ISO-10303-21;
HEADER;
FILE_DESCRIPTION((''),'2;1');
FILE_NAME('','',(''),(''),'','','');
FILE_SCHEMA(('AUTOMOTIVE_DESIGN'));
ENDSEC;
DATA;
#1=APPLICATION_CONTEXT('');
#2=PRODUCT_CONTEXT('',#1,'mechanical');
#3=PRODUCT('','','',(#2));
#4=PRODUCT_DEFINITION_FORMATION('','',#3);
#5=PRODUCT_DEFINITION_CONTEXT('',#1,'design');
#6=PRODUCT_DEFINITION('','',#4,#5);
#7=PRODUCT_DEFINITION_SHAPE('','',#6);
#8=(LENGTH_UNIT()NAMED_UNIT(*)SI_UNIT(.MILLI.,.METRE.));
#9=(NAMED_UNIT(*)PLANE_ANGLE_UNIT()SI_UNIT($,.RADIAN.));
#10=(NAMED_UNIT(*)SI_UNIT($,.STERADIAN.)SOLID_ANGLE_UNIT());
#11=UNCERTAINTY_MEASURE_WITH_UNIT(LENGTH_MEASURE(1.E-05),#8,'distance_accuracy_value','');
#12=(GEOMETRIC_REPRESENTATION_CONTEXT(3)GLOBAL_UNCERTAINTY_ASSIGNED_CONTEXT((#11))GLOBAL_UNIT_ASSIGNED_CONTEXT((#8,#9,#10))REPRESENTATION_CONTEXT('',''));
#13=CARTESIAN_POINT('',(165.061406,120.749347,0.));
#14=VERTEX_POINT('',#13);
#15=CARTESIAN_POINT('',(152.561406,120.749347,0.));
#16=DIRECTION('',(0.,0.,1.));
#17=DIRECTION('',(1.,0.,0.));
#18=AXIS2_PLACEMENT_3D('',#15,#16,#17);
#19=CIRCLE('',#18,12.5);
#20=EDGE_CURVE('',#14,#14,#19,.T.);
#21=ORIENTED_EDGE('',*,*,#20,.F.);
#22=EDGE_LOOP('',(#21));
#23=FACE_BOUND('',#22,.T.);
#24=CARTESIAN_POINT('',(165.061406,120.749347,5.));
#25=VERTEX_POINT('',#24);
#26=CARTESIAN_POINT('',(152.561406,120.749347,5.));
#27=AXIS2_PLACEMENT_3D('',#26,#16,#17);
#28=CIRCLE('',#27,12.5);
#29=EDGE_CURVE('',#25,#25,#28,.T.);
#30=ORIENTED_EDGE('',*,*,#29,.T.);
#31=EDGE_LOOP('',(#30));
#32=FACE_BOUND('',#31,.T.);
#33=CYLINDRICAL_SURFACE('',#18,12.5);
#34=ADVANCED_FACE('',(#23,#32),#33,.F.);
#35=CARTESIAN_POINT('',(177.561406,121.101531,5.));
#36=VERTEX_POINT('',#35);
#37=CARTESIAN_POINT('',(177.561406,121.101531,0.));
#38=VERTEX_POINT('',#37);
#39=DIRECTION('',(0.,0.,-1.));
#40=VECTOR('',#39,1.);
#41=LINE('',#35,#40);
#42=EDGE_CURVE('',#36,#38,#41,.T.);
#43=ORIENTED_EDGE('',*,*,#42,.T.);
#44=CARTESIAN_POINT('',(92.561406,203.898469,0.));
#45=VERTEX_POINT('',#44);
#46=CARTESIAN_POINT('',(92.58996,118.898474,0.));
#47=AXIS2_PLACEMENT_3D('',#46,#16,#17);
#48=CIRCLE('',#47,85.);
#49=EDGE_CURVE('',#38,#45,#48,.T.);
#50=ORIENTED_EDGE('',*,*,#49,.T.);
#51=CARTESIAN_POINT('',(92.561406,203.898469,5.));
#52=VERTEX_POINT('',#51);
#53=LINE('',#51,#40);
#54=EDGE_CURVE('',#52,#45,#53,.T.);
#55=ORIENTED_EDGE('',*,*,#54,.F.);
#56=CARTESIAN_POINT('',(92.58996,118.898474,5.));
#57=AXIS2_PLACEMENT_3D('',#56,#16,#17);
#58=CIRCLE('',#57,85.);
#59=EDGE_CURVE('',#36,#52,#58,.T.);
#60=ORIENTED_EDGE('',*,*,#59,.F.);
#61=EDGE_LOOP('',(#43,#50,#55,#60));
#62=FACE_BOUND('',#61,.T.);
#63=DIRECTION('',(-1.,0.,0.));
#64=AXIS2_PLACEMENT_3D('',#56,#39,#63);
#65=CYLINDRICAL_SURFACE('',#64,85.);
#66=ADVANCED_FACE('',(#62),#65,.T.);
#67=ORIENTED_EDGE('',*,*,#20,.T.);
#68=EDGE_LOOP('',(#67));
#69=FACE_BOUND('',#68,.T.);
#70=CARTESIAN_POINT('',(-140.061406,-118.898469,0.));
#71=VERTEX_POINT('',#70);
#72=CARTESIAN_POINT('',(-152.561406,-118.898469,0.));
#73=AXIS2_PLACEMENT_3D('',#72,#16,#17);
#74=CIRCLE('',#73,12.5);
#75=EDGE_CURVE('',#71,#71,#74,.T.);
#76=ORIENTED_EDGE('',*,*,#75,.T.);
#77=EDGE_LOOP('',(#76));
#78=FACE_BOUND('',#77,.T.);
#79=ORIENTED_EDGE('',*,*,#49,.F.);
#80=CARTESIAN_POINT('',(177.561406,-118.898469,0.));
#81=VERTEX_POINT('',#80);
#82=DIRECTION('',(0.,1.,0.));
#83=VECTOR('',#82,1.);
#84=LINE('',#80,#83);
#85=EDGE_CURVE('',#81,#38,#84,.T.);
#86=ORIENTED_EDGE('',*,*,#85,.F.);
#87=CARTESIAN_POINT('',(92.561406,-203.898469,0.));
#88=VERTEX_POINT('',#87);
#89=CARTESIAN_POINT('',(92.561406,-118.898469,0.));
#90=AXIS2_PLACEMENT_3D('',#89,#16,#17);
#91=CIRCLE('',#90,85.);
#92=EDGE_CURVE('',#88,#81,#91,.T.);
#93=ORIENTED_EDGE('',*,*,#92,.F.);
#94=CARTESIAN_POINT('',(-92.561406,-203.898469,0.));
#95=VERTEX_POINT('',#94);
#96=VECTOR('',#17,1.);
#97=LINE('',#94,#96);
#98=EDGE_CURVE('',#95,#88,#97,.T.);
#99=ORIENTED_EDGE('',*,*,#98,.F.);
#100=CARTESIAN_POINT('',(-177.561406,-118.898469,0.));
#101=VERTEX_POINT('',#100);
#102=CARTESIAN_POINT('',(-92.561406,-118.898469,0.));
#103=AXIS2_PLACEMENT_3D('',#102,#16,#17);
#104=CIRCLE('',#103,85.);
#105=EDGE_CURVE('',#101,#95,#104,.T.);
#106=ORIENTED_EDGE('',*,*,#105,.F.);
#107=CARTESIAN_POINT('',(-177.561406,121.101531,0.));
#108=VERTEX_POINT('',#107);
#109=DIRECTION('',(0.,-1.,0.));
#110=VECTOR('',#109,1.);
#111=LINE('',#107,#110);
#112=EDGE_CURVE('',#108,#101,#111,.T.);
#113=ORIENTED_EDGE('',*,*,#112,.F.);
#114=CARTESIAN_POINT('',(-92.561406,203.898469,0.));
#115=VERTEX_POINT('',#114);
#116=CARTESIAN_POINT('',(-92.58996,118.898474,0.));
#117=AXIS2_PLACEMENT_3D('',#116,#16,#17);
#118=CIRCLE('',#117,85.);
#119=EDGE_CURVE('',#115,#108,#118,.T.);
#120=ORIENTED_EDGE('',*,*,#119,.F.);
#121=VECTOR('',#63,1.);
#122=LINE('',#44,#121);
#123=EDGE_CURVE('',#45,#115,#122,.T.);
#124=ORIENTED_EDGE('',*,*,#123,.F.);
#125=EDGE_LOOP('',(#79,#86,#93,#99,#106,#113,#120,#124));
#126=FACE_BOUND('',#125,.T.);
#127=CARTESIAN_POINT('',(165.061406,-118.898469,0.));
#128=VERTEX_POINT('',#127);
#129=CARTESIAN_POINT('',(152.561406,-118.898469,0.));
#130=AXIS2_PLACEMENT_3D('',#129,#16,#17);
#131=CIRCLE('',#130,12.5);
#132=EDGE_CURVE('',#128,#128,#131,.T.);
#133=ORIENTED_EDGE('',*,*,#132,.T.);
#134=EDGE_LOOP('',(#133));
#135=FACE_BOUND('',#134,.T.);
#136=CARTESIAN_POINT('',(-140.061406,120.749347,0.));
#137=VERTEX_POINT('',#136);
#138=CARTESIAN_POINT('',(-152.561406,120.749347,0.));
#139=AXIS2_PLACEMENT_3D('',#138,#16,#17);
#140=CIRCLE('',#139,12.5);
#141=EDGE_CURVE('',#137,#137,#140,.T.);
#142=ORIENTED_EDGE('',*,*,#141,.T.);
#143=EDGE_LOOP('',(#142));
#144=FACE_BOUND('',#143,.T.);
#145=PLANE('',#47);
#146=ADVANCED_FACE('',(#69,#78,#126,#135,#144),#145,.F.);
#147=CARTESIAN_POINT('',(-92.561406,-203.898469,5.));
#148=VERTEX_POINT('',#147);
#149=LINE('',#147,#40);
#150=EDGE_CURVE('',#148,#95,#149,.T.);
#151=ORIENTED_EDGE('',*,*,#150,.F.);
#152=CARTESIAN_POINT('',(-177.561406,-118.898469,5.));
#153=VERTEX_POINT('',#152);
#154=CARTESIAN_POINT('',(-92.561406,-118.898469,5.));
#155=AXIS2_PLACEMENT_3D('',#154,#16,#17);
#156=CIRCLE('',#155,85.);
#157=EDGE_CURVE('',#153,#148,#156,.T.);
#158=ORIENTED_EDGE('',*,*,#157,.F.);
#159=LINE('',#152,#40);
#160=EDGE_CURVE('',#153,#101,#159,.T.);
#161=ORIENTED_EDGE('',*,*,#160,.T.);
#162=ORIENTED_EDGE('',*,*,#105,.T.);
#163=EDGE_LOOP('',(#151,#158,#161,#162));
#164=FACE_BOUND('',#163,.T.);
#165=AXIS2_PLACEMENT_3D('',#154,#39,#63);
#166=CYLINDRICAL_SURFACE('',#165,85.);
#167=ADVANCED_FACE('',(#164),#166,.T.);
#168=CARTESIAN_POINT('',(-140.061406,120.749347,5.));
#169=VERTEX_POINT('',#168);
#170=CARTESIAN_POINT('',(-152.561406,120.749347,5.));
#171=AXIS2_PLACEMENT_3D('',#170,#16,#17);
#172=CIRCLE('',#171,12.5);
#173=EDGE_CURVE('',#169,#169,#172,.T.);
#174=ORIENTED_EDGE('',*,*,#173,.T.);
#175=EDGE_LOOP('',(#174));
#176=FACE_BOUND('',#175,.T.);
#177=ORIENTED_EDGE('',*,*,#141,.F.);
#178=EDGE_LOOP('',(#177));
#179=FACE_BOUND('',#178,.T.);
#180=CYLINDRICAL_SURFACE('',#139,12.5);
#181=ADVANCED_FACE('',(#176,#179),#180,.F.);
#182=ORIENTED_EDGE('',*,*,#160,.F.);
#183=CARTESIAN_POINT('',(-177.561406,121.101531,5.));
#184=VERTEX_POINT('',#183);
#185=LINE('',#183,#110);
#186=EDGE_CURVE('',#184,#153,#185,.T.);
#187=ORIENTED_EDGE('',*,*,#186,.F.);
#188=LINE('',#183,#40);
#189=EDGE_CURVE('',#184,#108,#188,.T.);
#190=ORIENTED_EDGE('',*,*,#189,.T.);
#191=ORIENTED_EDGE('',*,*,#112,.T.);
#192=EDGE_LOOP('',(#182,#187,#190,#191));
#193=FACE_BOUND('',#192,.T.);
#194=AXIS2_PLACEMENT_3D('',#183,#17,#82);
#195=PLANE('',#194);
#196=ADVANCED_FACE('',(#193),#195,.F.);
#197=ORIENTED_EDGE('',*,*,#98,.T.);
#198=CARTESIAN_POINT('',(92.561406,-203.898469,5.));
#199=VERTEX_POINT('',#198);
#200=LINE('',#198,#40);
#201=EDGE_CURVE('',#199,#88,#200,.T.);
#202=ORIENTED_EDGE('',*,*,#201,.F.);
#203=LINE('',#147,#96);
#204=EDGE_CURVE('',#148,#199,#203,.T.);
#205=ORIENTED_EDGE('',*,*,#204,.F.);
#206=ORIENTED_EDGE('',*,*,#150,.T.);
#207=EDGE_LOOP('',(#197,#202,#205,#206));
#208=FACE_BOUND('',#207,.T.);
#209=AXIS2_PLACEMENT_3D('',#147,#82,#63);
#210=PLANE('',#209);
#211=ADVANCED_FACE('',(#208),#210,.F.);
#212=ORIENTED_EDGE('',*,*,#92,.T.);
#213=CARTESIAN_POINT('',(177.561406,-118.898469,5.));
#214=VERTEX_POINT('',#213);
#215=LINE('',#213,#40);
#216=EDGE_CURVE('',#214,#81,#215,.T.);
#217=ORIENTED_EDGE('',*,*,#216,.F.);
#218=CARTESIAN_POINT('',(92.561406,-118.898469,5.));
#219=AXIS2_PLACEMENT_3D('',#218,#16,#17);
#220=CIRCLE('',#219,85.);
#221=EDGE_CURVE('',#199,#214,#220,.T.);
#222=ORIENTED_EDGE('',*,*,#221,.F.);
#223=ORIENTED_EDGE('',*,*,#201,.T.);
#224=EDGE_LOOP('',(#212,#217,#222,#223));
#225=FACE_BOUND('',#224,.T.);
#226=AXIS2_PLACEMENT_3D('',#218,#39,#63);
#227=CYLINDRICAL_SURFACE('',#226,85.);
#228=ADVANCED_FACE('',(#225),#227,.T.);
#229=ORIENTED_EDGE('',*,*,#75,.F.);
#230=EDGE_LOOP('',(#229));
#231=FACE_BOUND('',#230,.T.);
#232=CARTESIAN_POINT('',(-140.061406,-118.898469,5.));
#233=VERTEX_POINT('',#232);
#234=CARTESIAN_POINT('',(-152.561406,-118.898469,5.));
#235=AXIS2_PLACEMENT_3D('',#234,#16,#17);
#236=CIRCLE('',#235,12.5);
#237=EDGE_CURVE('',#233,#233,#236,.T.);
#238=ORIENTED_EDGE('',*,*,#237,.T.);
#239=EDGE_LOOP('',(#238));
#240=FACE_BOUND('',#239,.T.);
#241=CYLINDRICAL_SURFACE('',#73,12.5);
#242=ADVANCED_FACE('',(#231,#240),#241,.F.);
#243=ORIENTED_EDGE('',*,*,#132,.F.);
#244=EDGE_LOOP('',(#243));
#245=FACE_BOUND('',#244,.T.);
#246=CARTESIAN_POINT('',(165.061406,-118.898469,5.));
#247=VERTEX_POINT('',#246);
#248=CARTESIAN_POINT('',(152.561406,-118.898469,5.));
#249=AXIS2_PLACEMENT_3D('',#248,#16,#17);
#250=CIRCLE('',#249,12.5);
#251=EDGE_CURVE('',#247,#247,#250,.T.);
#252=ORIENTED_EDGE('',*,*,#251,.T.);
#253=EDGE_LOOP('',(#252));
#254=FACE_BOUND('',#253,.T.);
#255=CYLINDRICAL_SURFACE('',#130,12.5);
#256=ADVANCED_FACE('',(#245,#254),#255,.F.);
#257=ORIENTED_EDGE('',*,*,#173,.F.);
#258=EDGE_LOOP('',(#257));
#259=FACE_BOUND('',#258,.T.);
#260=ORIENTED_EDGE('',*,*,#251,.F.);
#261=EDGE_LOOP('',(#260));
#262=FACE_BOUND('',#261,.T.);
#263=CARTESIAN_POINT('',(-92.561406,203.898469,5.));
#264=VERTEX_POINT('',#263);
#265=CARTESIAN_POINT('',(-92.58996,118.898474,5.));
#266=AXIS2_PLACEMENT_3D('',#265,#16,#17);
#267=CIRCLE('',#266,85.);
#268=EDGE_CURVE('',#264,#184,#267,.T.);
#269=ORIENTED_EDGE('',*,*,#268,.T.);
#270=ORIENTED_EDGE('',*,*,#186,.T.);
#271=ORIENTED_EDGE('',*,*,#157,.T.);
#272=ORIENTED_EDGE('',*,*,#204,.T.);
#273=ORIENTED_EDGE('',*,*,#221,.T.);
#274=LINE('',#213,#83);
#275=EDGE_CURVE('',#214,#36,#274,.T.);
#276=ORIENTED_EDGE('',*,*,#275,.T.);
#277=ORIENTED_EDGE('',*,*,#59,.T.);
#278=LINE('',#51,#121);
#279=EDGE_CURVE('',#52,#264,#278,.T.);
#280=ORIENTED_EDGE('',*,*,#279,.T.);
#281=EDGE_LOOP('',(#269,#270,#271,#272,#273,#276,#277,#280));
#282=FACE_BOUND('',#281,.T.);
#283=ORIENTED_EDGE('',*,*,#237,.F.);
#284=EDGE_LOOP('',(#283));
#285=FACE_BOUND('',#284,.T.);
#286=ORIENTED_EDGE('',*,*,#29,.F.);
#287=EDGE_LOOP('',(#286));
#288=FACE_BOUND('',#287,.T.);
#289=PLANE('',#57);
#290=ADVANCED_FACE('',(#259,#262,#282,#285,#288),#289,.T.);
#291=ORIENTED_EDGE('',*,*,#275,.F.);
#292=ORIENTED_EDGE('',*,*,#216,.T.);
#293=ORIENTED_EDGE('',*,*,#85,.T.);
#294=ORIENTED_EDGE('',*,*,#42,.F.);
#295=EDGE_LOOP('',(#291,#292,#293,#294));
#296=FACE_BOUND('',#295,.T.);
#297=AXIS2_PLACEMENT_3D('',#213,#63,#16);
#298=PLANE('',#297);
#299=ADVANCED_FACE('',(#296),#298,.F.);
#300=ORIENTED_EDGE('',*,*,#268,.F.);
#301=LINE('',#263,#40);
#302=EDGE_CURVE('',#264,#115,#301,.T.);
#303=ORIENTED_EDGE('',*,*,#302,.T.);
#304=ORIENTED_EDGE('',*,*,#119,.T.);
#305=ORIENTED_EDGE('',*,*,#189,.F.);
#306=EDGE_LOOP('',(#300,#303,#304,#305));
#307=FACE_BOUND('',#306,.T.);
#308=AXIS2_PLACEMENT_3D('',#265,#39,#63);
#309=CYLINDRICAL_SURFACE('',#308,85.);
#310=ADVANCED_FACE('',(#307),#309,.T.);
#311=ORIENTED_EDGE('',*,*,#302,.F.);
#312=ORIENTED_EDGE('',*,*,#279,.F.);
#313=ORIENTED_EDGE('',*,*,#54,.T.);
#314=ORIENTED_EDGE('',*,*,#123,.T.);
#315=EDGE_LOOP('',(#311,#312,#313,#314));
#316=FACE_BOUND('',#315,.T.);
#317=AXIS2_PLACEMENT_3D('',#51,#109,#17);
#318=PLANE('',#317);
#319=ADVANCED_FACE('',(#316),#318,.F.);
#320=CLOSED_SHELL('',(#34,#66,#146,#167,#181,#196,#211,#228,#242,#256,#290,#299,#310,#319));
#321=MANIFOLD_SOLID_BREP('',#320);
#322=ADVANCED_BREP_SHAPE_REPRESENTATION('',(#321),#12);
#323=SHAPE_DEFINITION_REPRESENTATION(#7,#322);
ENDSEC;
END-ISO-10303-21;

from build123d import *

# Parameters (mm, degrees)
BOSS_EXTRUDE1_DEPTH = 5
SKETCH2_R           = 12.5
CUT_EXTRUDE1_DEPTH  = 5


with BuildPart() as part:
    # Sketch1 → Boss-Extrude1 (new body)
    with BuildSketch(Plane.XY):
        with BuildLine():
            Line((92.561405604, 203.898469388), (-92.561405604, 203.898469388))
            ThreePointArc((-92.561405604, 203.898469388), (-151.899798681, 179.786429097), (-177.561405604, 121.101530612))
            Line((-177.561405604, 121.101530612), (-177.561405604, -118.898469388))
            ThreePointArc((-177.561405604, -118.898469388), (-152.665482005, -179.002545789), (-92.561405604, -203.898469388))
            Line((-92.561405604, -203.898469388), (92.561405604, -203.898469388))
            ThreePointArc((92.561405604, -203.898469388), (152.665482005, -179.002545789), (177.561405604, -118.898469388))
            Line((177.561405604, -118.898469388), (177.561405604, 121.101530612))
            ThreePointArc((177.561405604, 121.101530612), (151.899798681, 179.786429097), (92.561405604, 203.898469388))
        make_face()
    extrude(amount=BOSS_EXTRUDE1_DEPTH)

    # Sketch2 → Cut-Extrude1 (cut)
    with BuildSketch(Plane.XY.offset(5)):
        with Locations((-152.561405604, 120.749347026)):
            Circle(SKETCH2_R)
        with Locations((-152.561405604, -118.898469388)):
            Circle(SKETCH2_R)
        with Locations((152.561405604, -118.898469388)):
            Circle(SKETCH2_R)
        with Locations((152.561405604, 120.749347026)):
            Circle(SKETCH2_R)
    extrude(amount=-CUT_EXTRUDE1_DEPTH, mode=Mode.SUBTRACT)


solid = part.part
